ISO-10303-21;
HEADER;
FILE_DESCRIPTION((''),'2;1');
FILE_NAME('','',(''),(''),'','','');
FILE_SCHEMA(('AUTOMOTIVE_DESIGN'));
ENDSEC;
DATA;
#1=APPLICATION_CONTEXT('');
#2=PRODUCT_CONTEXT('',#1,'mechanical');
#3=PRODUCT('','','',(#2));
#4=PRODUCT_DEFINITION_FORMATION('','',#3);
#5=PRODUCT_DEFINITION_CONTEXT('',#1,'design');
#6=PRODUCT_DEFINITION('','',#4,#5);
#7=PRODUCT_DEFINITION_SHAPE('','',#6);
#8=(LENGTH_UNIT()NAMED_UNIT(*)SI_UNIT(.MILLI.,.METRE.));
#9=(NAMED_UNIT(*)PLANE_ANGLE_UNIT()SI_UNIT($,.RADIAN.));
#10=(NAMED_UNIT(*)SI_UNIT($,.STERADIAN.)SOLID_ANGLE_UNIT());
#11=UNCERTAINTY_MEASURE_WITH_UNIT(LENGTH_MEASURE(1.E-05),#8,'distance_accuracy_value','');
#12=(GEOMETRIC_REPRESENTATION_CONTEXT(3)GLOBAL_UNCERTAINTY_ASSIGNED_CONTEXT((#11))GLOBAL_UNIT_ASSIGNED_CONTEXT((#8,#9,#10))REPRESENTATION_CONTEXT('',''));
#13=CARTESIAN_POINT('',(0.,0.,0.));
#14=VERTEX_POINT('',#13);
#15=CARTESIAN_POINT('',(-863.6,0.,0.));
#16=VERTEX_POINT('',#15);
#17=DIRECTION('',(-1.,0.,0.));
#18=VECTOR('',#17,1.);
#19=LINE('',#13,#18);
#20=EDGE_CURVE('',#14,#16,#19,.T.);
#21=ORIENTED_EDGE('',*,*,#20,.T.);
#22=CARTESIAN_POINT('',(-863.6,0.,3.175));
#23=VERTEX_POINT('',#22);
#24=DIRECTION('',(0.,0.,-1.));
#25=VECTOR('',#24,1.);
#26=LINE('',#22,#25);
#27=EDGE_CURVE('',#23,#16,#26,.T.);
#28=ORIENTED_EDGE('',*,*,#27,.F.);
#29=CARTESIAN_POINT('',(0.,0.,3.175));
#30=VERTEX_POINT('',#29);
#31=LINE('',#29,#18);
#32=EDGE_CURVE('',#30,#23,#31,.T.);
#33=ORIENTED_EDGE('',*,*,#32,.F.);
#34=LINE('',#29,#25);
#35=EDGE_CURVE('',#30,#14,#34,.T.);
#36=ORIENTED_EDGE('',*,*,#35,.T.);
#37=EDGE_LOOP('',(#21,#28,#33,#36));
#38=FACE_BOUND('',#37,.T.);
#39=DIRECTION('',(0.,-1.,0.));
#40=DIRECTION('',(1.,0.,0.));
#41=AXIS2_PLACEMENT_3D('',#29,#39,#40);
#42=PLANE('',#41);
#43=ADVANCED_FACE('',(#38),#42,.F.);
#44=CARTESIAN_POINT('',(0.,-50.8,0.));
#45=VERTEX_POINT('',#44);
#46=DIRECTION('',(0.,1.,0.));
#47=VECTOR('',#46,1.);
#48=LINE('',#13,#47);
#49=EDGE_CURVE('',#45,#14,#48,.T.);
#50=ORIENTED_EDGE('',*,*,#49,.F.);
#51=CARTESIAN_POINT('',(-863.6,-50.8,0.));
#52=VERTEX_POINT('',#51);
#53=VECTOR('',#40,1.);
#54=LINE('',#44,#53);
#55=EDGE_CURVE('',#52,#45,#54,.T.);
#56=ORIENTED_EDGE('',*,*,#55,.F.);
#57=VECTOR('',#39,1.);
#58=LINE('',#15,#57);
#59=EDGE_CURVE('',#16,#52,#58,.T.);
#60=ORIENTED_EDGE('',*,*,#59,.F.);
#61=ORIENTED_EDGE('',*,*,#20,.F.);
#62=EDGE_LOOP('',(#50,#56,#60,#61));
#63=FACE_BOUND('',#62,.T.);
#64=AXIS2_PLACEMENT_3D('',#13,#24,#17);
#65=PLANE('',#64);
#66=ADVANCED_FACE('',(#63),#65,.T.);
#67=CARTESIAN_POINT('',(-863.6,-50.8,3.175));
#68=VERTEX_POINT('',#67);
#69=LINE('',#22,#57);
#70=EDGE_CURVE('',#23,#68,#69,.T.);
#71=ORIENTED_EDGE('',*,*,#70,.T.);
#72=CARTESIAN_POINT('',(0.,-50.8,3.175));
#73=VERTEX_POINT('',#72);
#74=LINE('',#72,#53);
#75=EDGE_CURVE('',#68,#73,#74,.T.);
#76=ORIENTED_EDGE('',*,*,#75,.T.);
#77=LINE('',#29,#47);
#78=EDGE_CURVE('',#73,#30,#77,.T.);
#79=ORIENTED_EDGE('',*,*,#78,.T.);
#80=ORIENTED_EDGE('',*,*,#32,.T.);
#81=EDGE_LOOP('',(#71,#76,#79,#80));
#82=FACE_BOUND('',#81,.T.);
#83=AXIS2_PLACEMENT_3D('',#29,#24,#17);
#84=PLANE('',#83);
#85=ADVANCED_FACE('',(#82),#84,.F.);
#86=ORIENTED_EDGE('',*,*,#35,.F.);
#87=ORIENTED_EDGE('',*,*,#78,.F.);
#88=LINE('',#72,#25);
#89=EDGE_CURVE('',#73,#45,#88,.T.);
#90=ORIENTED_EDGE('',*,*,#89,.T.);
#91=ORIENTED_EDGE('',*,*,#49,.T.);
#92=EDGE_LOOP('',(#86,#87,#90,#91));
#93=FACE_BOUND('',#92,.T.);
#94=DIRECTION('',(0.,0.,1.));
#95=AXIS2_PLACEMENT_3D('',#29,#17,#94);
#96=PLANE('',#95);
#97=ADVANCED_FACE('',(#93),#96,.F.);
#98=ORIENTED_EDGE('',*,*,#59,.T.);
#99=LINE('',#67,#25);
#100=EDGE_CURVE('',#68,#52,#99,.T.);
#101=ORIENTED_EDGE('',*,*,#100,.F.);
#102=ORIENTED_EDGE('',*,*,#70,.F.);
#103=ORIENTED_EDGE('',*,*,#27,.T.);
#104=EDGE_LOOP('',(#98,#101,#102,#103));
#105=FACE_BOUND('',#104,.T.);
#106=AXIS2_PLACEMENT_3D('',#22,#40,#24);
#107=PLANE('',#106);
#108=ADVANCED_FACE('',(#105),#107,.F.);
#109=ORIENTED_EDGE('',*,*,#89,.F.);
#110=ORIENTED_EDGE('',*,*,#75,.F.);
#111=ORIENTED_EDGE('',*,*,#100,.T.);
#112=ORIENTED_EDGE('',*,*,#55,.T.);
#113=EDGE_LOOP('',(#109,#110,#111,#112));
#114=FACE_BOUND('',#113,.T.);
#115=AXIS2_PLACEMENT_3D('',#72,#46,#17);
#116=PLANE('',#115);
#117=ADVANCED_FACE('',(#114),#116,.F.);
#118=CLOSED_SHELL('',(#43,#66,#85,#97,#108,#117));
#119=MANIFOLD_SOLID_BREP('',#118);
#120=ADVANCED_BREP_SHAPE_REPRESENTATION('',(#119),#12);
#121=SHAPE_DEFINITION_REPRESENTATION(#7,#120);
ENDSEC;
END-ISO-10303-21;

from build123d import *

# Parameters (mm, degrees)
SKETCH1_W           = 863.6
SKETCH1_H           = 50.8
BOSS_EXTRUDE1_DEPTH = 3.175


with BuildPart() as part:
    # Sketch1 → Boss-Extrude1 (new body)
    with BuildSketch(Plane.XY):
        with Locations((-431.8, -25.4)):
            Rectangle(SKETCH1_W, SKETCH1_H)
    extrude(amount=BOSS_EXTRUDE1_DEPTH)


solid = part.part
